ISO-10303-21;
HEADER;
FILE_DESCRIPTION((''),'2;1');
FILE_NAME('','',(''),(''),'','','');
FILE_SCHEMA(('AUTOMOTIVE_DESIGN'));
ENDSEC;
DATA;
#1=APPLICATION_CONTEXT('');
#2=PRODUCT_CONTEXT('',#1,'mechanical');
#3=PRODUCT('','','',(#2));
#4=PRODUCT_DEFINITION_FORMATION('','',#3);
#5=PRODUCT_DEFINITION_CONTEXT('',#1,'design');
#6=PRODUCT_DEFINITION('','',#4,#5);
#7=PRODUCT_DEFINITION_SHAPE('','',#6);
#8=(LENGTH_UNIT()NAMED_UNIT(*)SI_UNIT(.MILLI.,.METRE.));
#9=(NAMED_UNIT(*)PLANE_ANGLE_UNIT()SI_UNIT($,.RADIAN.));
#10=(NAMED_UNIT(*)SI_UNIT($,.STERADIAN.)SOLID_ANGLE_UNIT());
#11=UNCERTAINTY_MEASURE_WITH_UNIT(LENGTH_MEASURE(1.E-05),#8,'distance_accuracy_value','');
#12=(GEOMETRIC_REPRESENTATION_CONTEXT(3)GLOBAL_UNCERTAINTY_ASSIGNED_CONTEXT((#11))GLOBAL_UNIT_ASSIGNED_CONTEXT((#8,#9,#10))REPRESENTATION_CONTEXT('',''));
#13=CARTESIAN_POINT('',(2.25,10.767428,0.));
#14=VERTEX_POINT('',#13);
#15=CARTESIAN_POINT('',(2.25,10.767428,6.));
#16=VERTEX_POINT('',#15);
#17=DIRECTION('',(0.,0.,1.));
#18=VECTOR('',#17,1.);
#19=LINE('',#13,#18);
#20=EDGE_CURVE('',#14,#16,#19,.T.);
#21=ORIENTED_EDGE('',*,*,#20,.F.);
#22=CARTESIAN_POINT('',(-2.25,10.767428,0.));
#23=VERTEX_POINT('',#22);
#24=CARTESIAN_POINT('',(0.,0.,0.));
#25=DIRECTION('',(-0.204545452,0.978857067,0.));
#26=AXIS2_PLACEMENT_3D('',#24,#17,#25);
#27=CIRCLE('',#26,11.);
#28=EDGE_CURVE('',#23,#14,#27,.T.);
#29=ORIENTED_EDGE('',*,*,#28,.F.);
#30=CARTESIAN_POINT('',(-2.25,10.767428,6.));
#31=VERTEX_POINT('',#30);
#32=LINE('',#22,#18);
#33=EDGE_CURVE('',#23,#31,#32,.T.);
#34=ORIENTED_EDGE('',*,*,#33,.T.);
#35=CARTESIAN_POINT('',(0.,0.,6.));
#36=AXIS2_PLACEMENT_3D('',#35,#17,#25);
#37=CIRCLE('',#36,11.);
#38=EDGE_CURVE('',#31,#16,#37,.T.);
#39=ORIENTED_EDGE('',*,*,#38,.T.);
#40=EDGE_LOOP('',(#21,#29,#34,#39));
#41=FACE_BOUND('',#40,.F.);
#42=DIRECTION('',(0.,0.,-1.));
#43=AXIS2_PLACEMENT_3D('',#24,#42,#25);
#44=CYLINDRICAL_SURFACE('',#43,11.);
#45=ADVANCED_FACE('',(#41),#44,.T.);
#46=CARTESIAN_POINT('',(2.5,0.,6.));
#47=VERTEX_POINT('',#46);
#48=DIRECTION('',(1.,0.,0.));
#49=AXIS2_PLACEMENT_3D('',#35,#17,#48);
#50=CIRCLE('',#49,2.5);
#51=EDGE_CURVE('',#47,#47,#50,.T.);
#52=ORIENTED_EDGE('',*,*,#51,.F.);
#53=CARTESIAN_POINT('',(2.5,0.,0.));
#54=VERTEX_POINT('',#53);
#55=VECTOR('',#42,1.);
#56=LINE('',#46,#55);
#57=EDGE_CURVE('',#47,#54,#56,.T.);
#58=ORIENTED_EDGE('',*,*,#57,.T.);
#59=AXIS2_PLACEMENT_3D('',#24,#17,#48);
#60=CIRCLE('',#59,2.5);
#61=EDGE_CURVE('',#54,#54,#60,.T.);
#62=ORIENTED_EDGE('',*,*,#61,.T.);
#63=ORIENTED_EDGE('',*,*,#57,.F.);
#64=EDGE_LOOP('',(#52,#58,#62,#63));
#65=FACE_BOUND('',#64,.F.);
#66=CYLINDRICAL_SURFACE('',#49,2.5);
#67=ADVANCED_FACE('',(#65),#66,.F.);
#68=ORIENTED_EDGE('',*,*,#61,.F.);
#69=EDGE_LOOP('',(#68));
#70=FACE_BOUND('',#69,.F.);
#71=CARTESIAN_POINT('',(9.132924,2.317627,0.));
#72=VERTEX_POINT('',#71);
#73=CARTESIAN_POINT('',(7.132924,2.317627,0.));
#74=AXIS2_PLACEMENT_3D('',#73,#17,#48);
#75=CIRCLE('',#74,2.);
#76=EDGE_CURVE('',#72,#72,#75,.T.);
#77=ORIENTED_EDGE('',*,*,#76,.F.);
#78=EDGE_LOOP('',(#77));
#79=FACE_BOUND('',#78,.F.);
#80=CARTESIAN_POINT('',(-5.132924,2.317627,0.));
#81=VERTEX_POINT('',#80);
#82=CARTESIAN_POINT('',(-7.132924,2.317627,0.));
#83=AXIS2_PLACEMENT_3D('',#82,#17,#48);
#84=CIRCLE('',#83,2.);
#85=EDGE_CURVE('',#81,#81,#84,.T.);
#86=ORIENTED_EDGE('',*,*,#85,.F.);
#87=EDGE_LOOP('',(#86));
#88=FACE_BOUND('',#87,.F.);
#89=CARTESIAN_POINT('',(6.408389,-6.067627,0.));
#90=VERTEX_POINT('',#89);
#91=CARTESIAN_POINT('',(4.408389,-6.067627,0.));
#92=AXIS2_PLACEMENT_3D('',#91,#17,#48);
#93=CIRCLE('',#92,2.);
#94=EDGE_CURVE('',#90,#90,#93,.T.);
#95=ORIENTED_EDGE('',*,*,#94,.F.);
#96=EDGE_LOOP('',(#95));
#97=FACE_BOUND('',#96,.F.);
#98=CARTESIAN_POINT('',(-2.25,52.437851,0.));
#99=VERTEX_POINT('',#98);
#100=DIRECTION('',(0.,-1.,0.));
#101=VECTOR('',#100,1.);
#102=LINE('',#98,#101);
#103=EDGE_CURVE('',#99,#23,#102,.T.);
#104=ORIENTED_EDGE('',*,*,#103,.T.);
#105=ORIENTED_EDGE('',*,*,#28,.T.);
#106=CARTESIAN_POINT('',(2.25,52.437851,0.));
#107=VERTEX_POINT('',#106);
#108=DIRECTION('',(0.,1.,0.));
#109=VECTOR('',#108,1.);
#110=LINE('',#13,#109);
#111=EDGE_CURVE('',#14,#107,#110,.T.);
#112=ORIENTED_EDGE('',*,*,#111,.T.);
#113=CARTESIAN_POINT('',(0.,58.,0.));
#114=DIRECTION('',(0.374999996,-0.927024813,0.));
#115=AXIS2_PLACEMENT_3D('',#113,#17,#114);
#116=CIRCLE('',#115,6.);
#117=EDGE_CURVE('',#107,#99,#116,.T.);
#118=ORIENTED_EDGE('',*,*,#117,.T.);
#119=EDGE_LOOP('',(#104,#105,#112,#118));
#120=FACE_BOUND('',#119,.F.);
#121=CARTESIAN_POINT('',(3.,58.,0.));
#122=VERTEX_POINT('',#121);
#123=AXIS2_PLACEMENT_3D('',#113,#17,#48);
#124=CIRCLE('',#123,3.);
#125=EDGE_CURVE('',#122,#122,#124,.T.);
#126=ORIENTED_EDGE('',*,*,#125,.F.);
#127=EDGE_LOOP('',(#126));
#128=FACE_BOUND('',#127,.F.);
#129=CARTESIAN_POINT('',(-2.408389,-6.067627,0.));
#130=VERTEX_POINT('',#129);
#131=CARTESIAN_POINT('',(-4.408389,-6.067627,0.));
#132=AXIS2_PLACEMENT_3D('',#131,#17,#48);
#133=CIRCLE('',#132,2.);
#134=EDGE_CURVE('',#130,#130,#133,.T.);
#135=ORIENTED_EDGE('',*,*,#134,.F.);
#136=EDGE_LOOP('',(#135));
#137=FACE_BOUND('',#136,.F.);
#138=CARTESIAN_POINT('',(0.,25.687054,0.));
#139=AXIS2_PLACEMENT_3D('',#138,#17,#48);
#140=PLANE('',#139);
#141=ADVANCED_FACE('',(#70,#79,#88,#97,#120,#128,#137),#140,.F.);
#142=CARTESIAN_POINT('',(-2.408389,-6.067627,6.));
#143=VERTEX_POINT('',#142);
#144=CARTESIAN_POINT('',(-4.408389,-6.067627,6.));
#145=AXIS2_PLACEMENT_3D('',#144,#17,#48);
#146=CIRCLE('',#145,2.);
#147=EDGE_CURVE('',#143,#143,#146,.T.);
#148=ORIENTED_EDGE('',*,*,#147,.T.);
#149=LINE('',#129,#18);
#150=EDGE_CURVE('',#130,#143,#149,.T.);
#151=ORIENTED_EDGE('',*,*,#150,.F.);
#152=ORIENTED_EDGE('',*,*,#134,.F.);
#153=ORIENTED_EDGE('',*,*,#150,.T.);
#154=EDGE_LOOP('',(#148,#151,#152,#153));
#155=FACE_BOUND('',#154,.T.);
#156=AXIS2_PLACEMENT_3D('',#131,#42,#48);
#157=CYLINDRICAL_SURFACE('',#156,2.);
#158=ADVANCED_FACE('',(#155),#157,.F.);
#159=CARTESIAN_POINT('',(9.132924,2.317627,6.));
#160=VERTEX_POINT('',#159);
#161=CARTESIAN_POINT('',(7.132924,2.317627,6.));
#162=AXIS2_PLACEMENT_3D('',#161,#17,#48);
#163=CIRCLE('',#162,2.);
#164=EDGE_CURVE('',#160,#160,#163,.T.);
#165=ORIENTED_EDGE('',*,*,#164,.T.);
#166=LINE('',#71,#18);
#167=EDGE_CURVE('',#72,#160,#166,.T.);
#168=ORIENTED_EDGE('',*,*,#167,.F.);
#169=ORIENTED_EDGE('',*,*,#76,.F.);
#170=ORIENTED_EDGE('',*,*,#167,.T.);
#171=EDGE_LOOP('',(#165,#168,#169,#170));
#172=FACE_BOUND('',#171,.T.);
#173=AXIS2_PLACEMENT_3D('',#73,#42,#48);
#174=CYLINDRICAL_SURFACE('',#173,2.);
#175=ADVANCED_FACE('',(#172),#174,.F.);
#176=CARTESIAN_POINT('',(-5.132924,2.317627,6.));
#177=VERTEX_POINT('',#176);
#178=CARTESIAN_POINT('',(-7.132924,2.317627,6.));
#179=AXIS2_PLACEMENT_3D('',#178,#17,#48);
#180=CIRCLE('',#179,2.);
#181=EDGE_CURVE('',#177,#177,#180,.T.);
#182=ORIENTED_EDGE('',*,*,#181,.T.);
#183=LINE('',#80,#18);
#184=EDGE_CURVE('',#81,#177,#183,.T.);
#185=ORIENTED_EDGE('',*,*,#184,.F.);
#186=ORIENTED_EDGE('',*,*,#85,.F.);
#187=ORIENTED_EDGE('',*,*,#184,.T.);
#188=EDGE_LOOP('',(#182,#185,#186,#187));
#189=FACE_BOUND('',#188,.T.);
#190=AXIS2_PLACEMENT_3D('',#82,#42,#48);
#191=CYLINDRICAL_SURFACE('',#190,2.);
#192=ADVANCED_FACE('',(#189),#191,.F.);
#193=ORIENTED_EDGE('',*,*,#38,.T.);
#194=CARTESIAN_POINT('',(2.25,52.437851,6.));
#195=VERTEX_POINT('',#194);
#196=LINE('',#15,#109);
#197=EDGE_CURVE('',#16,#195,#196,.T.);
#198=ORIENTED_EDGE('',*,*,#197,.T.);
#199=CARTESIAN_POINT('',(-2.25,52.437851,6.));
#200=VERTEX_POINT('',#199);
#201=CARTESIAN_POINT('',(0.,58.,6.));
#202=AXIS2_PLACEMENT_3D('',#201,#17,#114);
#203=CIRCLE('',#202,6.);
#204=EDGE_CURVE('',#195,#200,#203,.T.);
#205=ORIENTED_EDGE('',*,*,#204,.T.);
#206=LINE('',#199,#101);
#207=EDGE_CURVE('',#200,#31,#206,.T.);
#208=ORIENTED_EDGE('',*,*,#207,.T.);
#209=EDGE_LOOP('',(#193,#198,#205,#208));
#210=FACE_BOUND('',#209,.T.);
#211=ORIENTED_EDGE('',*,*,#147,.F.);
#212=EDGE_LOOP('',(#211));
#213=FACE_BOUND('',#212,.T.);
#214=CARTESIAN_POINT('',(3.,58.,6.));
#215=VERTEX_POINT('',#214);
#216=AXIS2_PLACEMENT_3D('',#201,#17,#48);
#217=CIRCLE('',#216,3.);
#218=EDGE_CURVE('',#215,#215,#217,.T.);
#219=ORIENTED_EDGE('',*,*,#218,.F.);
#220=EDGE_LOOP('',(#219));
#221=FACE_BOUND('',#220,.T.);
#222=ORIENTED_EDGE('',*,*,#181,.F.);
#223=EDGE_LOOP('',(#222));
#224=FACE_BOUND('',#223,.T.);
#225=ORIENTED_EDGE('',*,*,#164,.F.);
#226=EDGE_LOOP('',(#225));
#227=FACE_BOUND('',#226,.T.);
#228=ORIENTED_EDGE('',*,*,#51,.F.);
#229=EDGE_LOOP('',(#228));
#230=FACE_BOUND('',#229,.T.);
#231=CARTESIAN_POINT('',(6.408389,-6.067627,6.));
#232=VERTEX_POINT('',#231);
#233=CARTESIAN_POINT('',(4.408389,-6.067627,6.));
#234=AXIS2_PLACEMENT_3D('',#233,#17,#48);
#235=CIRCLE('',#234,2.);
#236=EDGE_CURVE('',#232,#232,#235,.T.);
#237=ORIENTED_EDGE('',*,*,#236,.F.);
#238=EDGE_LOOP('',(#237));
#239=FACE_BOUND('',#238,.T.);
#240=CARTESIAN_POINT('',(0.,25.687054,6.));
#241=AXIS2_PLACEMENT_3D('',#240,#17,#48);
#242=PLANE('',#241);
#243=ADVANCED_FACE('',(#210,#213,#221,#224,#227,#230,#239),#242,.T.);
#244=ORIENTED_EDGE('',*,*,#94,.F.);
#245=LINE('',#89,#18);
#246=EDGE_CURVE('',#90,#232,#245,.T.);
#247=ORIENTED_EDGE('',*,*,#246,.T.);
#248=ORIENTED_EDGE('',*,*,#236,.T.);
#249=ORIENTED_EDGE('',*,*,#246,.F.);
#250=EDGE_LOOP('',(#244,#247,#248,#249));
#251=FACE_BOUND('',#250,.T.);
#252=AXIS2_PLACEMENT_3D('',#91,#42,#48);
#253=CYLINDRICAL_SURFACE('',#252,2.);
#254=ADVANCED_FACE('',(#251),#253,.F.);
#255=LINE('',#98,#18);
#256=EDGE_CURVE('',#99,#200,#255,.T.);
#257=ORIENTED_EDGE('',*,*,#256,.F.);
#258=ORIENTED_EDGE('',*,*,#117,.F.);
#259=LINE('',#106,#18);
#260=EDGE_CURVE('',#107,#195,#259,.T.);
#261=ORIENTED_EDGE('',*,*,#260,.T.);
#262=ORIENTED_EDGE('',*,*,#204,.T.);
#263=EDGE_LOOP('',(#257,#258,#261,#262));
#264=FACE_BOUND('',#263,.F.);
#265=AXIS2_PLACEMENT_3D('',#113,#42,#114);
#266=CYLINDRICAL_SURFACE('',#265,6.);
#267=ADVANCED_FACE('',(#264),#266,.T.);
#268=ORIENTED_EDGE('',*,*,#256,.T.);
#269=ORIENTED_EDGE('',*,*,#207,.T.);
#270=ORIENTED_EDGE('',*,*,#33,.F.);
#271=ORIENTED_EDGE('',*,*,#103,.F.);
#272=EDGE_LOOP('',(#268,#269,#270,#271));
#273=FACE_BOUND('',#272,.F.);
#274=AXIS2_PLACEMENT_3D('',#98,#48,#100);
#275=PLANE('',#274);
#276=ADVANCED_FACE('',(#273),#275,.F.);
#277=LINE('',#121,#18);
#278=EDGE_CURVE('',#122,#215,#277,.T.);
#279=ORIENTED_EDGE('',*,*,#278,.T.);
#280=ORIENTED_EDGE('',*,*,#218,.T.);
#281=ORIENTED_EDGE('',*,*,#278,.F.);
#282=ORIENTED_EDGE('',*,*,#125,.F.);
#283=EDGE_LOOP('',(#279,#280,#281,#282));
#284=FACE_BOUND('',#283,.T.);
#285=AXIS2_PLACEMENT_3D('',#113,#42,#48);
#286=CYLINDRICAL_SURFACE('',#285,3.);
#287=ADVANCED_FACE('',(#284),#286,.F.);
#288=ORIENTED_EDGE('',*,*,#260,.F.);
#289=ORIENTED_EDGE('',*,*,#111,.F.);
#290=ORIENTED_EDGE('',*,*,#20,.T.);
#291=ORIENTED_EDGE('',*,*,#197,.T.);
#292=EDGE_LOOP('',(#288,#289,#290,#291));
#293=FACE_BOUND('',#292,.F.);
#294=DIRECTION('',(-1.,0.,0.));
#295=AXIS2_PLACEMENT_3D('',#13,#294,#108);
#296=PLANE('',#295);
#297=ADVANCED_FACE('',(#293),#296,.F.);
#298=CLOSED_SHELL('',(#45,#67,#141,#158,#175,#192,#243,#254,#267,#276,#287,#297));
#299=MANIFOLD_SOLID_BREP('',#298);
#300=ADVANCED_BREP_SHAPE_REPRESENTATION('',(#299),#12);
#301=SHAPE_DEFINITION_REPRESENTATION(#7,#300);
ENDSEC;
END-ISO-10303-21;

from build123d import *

# Parameters (mm, degrees)
F0_R     = 2
F0_R_2   = 3
F1_DEPTH = 6
F2_R     = 2.5
F3_DEPTH = 8.1


with BuildPart() as f1:
    # F0 (on Top) → F1 (new body)
    with BuildSketch(Plane.XY):
        with BuildLine():
            Line((-2.25, 52.437851), (-2.25, 10.767428))
            ThreePointArc((-2.25, 10.767428), (0, -11), (2.25, 10.767428))
            Line((2.25, 10.767428), (2.25, 52.437851))
            ThreePointArc((2.25, 52.437851), (0, 64), (-2.25, 52.437851))
        make_face()
        with Locations((-7.132924, 2.317627)):
            Circle(F0_R, mode=Mode.SUBTRACT)
        with Locations((-4.408389, -6.067627)):
            Circle(F0_R, mode=Mode.SUBTRACT)
        with Locations((4.408389, -6.067627)):
            Circle(F0_R, mode=Mode.SUBTRACT)
        with Locations((7.132924, 2.317627)):
            Circle(F0_R, mode=Mode.SUBTRACT)
        with Locations((0, 58)):
            Circle(F0_R_2, mode=Mode.SUBTRACT)
    extrude(amount=F1_DEPTH)

    # F2 (on face) → F3 (cut)
    with BuildSketch(Plane.XY.offset(6)):
        Circle(F2_R)
    extrude(amount=-F3_DEPTH, mode=Mode.SUBTRACT)


solid = f1.part
